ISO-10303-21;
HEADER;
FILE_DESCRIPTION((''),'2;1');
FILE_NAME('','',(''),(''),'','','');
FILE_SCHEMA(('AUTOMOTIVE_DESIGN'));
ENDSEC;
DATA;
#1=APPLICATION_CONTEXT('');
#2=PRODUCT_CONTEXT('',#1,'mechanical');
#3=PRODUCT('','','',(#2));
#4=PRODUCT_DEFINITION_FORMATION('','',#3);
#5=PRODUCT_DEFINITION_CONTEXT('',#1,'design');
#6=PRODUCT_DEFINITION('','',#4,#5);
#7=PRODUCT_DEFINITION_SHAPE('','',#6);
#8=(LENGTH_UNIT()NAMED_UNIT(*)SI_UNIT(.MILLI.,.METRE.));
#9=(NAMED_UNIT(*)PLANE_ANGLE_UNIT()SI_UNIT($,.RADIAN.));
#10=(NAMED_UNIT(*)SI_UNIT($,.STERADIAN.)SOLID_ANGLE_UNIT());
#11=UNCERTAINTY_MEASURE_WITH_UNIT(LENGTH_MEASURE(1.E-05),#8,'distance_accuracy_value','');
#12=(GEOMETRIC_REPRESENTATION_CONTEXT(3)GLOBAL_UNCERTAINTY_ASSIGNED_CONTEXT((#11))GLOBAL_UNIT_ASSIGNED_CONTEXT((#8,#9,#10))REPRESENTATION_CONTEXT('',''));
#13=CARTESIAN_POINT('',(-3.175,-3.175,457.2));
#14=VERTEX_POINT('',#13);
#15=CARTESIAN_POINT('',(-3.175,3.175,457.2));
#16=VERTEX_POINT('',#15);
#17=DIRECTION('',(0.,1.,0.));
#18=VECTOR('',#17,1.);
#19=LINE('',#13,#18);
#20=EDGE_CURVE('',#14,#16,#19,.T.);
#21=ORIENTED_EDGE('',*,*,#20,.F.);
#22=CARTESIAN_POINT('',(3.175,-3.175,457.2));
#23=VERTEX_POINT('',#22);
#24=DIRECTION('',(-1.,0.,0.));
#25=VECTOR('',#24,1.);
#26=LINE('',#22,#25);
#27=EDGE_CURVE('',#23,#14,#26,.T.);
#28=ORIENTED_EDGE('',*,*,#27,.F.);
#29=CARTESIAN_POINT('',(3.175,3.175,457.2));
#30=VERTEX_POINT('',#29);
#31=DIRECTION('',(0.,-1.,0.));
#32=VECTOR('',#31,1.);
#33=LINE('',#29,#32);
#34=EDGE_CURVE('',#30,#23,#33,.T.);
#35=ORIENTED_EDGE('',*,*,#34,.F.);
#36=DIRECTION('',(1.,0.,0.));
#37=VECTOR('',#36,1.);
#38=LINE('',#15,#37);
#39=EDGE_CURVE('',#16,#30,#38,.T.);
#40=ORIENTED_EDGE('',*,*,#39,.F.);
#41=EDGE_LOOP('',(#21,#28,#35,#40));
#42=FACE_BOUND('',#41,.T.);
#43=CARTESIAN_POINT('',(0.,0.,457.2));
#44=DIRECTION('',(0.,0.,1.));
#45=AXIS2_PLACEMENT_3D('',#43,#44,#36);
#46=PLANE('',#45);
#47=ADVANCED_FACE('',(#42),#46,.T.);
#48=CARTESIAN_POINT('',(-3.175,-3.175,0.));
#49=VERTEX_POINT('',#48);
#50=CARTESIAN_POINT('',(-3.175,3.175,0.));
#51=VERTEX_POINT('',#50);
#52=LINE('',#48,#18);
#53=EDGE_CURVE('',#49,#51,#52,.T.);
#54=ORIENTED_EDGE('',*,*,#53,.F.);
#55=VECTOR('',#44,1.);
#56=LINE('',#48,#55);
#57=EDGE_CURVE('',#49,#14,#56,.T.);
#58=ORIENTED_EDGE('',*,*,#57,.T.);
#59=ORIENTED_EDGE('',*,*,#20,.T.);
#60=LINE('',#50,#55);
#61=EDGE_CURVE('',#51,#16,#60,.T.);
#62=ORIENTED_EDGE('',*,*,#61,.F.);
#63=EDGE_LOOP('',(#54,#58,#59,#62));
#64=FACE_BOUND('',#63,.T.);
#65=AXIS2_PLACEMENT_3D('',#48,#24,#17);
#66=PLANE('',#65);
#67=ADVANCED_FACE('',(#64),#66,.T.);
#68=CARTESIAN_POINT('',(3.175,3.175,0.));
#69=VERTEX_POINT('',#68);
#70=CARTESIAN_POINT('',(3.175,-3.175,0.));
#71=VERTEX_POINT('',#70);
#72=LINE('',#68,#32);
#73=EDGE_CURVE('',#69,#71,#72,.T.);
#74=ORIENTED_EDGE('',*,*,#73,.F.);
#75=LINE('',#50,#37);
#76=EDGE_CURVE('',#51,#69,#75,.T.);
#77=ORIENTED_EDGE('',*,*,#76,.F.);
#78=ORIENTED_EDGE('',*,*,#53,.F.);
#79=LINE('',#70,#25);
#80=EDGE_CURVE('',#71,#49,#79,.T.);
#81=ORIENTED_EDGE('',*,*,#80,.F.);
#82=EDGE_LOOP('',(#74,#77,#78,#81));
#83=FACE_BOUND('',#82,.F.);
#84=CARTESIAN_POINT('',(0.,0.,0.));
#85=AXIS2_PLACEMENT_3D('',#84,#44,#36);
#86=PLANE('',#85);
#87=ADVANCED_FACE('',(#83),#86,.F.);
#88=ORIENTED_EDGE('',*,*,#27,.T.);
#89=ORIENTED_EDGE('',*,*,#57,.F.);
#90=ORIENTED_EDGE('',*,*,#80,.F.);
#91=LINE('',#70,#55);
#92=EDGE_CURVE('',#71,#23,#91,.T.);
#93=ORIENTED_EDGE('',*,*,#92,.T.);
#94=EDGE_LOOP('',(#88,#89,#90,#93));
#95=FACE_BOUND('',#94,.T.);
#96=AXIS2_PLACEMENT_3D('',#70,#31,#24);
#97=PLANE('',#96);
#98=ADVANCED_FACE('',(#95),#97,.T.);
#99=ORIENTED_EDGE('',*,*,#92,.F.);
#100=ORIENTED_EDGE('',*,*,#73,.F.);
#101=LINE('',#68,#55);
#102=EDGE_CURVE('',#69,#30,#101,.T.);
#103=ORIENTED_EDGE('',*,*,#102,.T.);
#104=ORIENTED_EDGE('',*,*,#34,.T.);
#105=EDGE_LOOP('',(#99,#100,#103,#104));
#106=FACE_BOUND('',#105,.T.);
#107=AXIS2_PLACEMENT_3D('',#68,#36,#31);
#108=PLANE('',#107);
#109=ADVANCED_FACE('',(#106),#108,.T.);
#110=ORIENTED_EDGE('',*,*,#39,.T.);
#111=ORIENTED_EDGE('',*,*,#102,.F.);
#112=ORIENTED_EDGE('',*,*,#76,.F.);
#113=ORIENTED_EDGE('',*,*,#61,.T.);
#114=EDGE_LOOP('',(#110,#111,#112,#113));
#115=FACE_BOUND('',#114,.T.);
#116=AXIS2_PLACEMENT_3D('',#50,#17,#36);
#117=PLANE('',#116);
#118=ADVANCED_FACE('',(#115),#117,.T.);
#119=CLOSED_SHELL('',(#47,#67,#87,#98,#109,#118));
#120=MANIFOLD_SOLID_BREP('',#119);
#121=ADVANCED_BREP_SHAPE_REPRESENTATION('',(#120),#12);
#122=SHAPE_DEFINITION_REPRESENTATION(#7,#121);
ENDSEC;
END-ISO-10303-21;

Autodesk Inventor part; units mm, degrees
ref_plane "YZ Plane" through (0, 0, 0) normal (1, 0, 0) x (0, 1, 0)
ref_plane "XZ Plane" through (0, 0, 0) normal (0, 1, 0) x (-1, 0, 0)
ref_plane "XY Plane" through (0, 0, 0) normal (0, 0, 1) x (1, 0, 0)
sketch "Sketch1" plane through (0, 0, 0) normal (0, 0, 1) x (1, 0, 0)
  line L0 (-3.175, 3.175) -> (3.175, 3.175)
  line L1 (3.175, 3.175) -> (3.175, -3.175)
  line L2 (3.175, -3.175) -> (-3.175, -3.175)
  line L3 (-3.175, -3.175) -> (-3.175, 3.175)
  point P0 (0, 0)
  dimension "d0" = 3.175
  dimension "d1" = 6.35
  dimension "d2" = 6.35
  dimension "d3" = 3.175
extrude "Extrusion1" add sketch "Sketch1" along normal blind 457.2
ref_plane "Work Plane1" through (3.175, 0, 0) normal (0, -1, 0) x (1, 0, 0)
ref_plane "Work Plane2" through (0, -3.175, 0) normal (-1, 0, 0) x (0, 0, 1)
equation "\"d0\" = 0.5 * d1"
equation "\"d3\" = 0.5 * d2"
properties part number "Objective Location Marker"
